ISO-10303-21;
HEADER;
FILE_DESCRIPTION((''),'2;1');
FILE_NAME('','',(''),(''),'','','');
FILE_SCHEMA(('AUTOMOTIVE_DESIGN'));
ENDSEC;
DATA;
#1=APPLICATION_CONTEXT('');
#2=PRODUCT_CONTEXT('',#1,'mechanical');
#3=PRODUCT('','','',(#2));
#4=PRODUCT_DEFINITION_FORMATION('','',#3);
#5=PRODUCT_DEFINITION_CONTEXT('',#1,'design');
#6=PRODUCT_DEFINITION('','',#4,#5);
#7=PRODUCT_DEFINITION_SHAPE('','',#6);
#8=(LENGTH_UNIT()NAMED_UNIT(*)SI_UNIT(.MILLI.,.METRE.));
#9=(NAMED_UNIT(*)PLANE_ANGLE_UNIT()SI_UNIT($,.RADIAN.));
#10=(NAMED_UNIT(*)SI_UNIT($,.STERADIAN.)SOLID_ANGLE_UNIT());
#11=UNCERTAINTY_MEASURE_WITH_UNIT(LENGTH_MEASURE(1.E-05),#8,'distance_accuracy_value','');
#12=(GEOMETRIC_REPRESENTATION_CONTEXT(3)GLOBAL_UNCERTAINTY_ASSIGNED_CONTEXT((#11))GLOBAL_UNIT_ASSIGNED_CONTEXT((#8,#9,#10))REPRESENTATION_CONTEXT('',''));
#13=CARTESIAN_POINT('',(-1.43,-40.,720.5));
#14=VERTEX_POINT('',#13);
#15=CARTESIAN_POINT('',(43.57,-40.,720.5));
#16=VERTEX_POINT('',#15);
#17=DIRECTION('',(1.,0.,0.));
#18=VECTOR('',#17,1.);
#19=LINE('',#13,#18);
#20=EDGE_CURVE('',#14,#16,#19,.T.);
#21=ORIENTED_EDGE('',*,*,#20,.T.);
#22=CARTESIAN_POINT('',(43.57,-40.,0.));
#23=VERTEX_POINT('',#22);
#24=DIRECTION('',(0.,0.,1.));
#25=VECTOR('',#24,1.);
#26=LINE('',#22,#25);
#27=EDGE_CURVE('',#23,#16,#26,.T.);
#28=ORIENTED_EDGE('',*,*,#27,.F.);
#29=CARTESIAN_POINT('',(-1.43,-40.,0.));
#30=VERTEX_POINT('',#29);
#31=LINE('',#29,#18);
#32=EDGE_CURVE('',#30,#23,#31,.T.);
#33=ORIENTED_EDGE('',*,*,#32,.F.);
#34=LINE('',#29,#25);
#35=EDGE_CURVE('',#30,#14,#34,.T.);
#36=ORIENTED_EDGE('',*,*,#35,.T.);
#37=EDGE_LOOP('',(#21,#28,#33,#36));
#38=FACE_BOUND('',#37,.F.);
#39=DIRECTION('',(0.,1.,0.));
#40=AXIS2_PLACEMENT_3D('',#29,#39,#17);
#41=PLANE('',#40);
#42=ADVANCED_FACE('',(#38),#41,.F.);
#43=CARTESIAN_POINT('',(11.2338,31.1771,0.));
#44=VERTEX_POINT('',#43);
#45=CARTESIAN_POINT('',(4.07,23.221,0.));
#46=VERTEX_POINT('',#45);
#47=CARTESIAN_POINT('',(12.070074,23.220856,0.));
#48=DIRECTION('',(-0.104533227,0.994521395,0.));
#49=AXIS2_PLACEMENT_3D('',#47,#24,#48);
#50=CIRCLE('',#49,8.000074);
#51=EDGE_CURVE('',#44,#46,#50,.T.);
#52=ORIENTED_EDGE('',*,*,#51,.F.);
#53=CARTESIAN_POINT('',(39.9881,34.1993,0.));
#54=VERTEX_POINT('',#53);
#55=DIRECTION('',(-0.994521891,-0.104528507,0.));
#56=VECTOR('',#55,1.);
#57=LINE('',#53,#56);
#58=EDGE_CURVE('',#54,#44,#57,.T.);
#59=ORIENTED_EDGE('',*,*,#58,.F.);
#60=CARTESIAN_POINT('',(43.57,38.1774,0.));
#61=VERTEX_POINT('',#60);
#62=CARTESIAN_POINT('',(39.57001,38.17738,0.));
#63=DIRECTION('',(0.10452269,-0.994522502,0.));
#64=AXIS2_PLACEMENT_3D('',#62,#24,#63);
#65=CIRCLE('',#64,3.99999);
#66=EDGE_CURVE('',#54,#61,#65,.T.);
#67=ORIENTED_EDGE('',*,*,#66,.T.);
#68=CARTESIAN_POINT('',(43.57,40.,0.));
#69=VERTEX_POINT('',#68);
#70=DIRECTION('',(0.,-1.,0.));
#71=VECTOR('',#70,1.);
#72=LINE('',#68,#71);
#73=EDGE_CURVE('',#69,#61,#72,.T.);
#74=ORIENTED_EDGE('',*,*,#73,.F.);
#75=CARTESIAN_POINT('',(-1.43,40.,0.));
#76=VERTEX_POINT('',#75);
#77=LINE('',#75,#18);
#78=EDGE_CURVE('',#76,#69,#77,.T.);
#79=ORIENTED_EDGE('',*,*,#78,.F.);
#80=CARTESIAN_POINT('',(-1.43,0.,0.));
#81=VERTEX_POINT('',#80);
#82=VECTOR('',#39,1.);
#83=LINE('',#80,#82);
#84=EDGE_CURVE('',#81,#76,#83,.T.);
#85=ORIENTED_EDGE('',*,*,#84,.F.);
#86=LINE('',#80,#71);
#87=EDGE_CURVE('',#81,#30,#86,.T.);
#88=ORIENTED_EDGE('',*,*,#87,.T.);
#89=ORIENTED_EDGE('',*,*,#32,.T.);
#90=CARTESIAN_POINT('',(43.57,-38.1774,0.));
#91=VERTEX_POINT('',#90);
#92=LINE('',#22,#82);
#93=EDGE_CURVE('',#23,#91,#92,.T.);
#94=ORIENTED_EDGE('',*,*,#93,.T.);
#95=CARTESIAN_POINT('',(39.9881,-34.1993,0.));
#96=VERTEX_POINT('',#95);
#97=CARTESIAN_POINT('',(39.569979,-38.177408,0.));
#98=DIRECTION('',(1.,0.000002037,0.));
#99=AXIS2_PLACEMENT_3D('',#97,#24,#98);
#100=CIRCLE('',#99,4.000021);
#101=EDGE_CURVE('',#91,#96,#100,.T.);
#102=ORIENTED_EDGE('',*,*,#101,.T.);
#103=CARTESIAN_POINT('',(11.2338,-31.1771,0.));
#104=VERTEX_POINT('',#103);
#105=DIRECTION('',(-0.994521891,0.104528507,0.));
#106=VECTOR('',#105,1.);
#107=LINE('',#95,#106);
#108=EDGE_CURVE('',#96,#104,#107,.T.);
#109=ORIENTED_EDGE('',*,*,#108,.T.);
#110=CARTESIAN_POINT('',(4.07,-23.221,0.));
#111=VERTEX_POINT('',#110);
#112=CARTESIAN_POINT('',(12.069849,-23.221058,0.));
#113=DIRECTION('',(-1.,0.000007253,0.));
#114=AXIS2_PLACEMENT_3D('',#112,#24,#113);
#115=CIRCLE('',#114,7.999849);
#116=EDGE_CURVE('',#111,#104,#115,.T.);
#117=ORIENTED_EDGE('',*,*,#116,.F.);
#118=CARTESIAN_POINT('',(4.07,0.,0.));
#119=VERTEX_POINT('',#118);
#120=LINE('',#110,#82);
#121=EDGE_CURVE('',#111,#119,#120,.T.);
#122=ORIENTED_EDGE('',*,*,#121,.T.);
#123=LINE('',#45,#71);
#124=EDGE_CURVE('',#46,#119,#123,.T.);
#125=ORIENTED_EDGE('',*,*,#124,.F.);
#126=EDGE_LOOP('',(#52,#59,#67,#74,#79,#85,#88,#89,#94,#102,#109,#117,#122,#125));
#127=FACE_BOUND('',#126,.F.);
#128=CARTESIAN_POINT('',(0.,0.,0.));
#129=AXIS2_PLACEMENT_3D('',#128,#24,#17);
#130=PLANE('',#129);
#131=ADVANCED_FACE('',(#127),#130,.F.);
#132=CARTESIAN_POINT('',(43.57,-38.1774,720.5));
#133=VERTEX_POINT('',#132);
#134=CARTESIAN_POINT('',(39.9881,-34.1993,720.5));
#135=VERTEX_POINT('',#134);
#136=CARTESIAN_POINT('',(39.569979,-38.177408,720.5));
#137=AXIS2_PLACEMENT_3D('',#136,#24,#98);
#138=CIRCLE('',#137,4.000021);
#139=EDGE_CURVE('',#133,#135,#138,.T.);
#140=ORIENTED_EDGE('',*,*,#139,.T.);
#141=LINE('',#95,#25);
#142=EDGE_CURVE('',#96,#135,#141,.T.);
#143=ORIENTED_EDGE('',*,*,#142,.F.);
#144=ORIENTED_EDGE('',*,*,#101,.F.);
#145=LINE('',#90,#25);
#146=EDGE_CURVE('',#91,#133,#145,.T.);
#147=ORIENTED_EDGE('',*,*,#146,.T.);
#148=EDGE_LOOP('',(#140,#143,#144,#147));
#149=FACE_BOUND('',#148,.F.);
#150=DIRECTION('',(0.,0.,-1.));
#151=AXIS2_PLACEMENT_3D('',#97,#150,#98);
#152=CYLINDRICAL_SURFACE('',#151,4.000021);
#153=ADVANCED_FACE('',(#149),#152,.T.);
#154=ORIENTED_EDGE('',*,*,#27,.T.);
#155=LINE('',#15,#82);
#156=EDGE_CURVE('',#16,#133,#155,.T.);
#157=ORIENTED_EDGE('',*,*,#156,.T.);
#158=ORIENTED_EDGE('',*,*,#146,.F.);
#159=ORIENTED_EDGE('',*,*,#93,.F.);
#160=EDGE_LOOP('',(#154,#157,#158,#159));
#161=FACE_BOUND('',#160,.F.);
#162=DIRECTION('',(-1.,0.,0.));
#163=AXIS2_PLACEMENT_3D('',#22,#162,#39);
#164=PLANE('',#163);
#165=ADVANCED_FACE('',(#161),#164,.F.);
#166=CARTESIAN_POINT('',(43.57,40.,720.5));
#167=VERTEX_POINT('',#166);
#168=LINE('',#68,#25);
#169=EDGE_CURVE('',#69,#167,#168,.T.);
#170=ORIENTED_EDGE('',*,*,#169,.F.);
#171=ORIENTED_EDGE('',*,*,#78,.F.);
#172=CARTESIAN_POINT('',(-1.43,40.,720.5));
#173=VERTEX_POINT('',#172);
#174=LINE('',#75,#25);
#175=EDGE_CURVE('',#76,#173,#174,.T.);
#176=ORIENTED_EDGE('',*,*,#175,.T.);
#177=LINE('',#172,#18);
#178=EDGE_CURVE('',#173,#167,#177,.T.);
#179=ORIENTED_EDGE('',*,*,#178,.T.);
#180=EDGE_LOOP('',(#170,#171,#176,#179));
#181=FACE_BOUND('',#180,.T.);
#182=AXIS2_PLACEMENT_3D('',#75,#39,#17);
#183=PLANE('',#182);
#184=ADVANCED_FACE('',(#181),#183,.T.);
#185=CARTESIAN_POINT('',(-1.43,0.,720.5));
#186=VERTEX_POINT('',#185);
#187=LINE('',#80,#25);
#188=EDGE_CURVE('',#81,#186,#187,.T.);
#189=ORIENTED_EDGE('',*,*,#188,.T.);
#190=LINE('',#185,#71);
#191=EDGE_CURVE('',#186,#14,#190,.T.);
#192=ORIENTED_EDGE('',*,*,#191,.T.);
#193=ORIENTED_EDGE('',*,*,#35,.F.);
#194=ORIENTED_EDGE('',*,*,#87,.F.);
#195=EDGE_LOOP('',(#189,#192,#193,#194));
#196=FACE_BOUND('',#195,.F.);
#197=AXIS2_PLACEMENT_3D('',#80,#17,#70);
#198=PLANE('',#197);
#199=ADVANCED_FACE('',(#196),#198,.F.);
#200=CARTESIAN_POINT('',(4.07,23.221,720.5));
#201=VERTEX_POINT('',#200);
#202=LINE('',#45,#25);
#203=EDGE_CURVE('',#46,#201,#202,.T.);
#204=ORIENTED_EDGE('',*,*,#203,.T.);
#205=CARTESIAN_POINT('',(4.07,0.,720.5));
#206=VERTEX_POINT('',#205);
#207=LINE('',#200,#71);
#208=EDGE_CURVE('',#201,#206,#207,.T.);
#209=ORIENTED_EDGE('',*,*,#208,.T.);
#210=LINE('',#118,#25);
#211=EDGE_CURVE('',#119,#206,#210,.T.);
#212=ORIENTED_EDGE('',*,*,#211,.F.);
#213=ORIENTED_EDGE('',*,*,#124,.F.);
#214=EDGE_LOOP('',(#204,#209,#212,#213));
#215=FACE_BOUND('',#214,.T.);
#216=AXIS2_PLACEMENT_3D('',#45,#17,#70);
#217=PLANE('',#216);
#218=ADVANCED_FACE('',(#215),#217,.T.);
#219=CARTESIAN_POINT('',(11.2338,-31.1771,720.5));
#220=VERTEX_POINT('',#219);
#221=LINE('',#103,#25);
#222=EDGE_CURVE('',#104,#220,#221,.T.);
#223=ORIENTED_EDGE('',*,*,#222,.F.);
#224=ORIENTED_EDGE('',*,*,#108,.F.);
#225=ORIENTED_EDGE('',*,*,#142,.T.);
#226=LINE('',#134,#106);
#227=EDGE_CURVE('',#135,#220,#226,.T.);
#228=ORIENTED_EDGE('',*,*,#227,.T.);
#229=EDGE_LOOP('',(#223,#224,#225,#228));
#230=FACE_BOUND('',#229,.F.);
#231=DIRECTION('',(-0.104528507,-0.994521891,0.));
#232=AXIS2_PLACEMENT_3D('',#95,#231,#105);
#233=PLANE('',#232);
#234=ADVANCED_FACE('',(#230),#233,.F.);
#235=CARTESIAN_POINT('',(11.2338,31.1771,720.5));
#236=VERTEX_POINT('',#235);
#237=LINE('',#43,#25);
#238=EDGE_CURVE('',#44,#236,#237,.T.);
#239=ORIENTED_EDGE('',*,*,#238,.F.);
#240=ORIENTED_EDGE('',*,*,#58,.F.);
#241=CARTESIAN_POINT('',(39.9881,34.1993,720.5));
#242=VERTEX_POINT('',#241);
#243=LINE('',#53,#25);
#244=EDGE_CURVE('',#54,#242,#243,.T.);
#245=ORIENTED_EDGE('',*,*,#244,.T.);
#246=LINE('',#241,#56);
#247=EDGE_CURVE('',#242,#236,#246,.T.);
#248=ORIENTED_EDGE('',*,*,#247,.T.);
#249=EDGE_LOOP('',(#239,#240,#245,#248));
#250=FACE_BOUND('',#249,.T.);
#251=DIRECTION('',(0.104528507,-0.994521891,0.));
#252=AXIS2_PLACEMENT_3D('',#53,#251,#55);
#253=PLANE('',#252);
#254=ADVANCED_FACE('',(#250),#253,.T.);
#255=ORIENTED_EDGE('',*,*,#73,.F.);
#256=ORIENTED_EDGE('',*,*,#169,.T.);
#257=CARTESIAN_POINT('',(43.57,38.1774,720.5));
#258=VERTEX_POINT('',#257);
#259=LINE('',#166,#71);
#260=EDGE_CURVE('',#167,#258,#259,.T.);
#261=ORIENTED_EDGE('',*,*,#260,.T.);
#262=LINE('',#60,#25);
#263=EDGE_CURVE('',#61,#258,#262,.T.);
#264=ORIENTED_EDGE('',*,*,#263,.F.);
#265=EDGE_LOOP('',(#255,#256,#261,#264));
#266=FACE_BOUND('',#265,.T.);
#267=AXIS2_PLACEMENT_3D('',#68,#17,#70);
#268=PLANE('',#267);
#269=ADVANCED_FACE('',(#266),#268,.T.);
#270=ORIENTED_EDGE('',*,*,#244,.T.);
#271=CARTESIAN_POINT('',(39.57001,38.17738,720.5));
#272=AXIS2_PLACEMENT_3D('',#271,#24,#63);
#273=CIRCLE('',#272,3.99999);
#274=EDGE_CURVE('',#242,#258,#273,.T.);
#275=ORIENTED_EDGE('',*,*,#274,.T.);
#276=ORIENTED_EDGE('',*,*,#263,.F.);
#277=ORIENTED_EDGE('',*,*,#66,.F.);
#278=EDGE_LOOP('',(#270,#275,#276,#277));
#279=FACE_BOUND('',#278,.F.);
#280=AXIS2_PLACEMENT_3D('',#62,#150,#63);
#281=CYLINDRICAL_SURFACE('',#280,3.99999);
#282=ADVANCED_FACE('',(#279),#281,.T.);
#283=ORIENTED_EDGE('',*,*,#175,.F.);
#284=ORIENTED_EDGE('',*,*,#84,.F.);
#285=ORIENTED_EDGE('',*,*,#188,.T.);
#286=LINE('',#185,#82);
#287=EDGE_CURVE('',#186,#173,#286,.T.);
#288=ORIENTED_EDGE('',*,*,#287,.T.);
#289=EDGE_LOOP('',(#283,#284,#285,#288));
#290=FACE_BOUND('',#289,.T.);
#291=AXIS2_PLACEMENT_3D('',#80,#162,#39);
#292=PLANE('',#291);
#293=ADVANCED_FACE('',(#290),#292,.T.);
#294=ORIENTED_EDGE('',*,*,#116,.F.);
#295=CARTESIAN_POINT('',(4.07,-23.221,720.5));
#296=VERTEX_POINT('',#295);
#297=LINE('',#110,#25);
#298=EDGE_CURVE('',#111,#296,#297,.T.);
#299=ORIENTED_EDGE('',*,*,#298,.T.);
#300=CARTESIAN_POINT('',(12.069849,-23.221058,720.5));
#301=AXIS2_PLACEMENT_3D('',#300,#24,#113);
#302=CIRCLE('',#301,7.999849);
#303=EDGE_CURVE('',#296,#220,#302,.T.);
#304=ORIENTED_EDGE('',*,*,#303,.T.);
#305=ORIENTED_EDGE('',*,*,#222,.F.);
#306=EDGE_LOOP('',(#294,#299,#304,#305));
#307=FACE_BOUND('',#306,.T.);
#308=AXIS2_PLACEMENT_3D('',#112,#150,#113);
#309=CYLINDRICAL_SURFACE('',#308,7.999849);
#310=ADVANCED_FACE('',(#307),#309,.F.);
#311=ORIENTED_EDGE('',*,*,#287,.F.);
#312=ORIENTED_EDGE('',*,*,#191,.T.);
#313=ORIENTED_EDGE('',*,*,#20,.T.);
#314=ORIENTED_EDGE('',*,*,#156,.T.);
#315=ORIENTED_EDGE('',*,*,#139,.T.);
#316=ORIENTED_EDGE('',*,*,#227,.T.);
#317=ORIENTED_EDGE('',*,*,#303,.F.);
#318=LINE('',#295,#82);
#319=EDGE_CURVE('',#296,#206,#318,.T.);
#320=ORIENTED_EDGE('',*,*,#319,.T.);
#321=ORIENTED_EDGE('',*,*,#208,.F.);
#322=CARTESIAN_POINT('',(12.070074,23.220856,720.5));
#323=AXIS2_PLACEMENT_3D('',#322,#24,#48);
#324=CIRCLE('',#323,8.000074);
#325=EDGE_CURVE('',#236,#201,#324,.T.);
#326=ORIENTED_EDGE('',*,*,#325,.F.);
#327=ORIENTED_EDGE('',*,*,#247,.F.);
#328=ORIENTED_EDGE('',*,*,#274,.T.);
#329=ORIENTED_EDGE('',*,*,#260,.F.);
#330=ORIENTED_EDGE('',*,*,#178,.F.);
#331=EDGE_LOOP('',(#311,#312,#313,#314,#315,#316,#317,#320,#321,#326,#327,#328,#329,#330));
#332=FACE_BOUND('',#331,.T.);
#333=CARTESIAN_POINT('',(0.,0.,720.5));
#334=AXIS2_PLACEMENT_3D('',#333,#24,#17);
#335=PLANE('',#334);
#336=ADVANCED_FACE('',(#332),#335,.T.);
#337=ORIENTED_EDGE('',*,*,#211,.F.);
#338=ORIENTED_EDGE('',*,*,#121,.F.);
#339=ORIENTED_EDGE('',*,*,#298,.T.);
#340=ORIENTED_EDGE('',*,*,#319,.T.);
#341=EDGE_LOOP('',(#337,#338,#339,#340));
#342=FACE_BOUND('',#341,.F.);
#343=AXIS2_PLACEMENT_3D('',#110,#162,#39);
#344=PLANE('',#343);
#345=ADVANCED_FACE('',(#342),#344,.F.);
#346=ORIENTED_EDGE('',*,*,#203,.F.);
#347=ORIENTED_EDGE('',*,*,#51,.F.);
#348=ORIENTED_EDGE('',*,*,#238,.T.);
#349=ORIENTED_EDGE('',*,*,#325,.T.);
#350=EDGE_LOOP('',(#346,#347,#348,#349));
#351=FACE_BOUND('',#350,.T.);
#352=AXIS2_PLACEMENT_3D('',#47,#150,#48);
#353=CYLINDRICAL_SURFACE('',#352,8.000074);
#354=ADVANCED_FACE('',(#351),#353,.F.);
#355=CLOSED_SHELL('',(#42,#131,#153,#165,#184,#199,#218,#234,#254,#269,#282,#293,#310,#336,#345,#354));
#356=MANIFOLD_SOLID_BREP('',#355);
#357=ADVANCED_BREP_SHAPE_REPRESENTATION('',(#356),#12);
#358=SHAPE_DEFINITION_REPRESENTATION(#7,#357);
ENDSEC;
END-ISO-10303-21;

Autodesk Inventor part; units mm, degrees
ref_plane "YZ Plane" through (0, 0, 0) normal (1, 0, 0) x (0, 1, 0)
ref_plane "Начальная плоскость" through (0, 0, 0) normal (0, 0, 1) x (1, 0, 0)
ref_plane "Конечная плоскость" through (0, 0, 720.5) normal (0, 0, 1) x (1, 0, 0)
sketch "Эскиз" plane through (0, 0, 0) normal (0, 0, 1) x (1, 0, 0)
  line L0 (-1.43, 0) -> (-1.43, 40)
  line L1 (-1.43, 40) -> (43.57, 40)
  line L2 (43.57, 40) -> (43.57, 38.1774)
  line L3 (39.9881, 34.1993) -> (11.2338, 31.1771)
  line L4 (4.07, 23.221) -> (4.07, 0)
  line L5 (4.07, 0) -> (-1.43, 0) construction
  line L6 (23.82, 40) -> (23.82, 32.5) construction
  line L7 (43.57, 34.5758) -> (43.57, 32.5) construction
  line L8 (43.57, 32.5) -> (23.82, 32.5) construction
  line L9 (0, 15) -> (0, -27) construction
  line L10 (-5.539, 0) -> (16.0067, 0) construction
  line L11 (-1.43, 0) -> (-1.43, -40)
  line L12 (-1.43, -40) -> (43.57, -40)
  line L13 (43.57, -40) -> (43.57, -38.1774)
  line L14 (39.9881, -34.1993) -> (11.2338, -31.1771)
  line L15 (4.07, -23.221) -> (4.07, 0)
  arc A0 (11.2338, 31.1771) -> (4.07, 23.221) centre (12.07, 23.221) ccw
  arc A1 (4.07, -23.221) -> (11.2338, -31.1771) centre (12.07, -23.221) ccw
  arc A2 (39.9881, 34.1993) -> (43.57, 38.1774) centre (39.57, 38.1774) ccw
  arc A3 (43.57, -38.1774) -> (39.9881, -34.1993) centre (39.57, -38.1774) ccw
  line L16 (0, 56) -> (0, -56) construction
  line L17 (-15.5135, 0) -> (54.308, 0) construction
  point P0 (4.07, 30.4242)
  point P1 (43.57, -34.5758)
  point P2 (4.07, -30.4242)
  point P3 (23.82, -40)
  point P4 (23.82, -32.5)
  dimension "d0" = 5.5
  dimension "d1" = 40
  dimension "d2" = 45
  dimension "d3" = 7.5
  dimension "d4" = 19.75
  dimension "d5" = 2.0758
  dimension "d23" = 8
  dimension "d24" = 4
  dimension "d25" = 1.43
extrude "Тело" add sketch "Эскиз" along normal up to surface (720.5 mm away) from surface at 0
sketch "Sketch3" plane through (0, 0, 0) normal (0, 0, 1) x (1, 0, 0)
  line L0 (0, 0) -> (10, 0)
ref_plane "Work Plane3" through (0, 0, 0) normal (0, -1, 0) x (1, 0, 0)
sketch "Sketch4" plane through (0, 0, 0) normal (0, -1, 0) x (1, 0, 0)
  line L0 (-2, 0) -> (12, 0)
  line L1 (-2, 720.5) -> (12, 720.5)
  dimension "d29" = 720.5
equation "\"d0\" = G_T"
equation "\"d1\" = 0.5 * G_H"
equation "\"d2\" = G_W"
equation "\"d3\" = G_T1"
equation "\"d4\" = G_C"
equation "\"d23\" = G_IR"
equation "\"d24\" = G_ER"
equation "\"d25\" = ex"
equation "\"d6\" = G_L"
equation "\"G_W\" = 45"
equation "\"G_T\" = 5.5"
equation "\"G_T1\" = 7.5"
equation "\"G_NG\" = 0.105104"
equation "\"G_ER\" = 4"
equation "\"G_IR\" = 8"
equation "\"G_C\" = 19.75"
equation "\"G_L\" = d29"
equation "\"ex\" = 1.43"
equation "\"G_OFFSET_START\" = 0"
equation "\"G_OFFSET_END\" = 0"
equation "\"d27\" = G_OFFSET_END + B_L"
equation "\"B_L\" = 720.5"
equation "\"G_H\" = 80"
properties part number "ISO 657/11 - CH 80 x 8 - 720,5" material "Сталь, мягкая"
